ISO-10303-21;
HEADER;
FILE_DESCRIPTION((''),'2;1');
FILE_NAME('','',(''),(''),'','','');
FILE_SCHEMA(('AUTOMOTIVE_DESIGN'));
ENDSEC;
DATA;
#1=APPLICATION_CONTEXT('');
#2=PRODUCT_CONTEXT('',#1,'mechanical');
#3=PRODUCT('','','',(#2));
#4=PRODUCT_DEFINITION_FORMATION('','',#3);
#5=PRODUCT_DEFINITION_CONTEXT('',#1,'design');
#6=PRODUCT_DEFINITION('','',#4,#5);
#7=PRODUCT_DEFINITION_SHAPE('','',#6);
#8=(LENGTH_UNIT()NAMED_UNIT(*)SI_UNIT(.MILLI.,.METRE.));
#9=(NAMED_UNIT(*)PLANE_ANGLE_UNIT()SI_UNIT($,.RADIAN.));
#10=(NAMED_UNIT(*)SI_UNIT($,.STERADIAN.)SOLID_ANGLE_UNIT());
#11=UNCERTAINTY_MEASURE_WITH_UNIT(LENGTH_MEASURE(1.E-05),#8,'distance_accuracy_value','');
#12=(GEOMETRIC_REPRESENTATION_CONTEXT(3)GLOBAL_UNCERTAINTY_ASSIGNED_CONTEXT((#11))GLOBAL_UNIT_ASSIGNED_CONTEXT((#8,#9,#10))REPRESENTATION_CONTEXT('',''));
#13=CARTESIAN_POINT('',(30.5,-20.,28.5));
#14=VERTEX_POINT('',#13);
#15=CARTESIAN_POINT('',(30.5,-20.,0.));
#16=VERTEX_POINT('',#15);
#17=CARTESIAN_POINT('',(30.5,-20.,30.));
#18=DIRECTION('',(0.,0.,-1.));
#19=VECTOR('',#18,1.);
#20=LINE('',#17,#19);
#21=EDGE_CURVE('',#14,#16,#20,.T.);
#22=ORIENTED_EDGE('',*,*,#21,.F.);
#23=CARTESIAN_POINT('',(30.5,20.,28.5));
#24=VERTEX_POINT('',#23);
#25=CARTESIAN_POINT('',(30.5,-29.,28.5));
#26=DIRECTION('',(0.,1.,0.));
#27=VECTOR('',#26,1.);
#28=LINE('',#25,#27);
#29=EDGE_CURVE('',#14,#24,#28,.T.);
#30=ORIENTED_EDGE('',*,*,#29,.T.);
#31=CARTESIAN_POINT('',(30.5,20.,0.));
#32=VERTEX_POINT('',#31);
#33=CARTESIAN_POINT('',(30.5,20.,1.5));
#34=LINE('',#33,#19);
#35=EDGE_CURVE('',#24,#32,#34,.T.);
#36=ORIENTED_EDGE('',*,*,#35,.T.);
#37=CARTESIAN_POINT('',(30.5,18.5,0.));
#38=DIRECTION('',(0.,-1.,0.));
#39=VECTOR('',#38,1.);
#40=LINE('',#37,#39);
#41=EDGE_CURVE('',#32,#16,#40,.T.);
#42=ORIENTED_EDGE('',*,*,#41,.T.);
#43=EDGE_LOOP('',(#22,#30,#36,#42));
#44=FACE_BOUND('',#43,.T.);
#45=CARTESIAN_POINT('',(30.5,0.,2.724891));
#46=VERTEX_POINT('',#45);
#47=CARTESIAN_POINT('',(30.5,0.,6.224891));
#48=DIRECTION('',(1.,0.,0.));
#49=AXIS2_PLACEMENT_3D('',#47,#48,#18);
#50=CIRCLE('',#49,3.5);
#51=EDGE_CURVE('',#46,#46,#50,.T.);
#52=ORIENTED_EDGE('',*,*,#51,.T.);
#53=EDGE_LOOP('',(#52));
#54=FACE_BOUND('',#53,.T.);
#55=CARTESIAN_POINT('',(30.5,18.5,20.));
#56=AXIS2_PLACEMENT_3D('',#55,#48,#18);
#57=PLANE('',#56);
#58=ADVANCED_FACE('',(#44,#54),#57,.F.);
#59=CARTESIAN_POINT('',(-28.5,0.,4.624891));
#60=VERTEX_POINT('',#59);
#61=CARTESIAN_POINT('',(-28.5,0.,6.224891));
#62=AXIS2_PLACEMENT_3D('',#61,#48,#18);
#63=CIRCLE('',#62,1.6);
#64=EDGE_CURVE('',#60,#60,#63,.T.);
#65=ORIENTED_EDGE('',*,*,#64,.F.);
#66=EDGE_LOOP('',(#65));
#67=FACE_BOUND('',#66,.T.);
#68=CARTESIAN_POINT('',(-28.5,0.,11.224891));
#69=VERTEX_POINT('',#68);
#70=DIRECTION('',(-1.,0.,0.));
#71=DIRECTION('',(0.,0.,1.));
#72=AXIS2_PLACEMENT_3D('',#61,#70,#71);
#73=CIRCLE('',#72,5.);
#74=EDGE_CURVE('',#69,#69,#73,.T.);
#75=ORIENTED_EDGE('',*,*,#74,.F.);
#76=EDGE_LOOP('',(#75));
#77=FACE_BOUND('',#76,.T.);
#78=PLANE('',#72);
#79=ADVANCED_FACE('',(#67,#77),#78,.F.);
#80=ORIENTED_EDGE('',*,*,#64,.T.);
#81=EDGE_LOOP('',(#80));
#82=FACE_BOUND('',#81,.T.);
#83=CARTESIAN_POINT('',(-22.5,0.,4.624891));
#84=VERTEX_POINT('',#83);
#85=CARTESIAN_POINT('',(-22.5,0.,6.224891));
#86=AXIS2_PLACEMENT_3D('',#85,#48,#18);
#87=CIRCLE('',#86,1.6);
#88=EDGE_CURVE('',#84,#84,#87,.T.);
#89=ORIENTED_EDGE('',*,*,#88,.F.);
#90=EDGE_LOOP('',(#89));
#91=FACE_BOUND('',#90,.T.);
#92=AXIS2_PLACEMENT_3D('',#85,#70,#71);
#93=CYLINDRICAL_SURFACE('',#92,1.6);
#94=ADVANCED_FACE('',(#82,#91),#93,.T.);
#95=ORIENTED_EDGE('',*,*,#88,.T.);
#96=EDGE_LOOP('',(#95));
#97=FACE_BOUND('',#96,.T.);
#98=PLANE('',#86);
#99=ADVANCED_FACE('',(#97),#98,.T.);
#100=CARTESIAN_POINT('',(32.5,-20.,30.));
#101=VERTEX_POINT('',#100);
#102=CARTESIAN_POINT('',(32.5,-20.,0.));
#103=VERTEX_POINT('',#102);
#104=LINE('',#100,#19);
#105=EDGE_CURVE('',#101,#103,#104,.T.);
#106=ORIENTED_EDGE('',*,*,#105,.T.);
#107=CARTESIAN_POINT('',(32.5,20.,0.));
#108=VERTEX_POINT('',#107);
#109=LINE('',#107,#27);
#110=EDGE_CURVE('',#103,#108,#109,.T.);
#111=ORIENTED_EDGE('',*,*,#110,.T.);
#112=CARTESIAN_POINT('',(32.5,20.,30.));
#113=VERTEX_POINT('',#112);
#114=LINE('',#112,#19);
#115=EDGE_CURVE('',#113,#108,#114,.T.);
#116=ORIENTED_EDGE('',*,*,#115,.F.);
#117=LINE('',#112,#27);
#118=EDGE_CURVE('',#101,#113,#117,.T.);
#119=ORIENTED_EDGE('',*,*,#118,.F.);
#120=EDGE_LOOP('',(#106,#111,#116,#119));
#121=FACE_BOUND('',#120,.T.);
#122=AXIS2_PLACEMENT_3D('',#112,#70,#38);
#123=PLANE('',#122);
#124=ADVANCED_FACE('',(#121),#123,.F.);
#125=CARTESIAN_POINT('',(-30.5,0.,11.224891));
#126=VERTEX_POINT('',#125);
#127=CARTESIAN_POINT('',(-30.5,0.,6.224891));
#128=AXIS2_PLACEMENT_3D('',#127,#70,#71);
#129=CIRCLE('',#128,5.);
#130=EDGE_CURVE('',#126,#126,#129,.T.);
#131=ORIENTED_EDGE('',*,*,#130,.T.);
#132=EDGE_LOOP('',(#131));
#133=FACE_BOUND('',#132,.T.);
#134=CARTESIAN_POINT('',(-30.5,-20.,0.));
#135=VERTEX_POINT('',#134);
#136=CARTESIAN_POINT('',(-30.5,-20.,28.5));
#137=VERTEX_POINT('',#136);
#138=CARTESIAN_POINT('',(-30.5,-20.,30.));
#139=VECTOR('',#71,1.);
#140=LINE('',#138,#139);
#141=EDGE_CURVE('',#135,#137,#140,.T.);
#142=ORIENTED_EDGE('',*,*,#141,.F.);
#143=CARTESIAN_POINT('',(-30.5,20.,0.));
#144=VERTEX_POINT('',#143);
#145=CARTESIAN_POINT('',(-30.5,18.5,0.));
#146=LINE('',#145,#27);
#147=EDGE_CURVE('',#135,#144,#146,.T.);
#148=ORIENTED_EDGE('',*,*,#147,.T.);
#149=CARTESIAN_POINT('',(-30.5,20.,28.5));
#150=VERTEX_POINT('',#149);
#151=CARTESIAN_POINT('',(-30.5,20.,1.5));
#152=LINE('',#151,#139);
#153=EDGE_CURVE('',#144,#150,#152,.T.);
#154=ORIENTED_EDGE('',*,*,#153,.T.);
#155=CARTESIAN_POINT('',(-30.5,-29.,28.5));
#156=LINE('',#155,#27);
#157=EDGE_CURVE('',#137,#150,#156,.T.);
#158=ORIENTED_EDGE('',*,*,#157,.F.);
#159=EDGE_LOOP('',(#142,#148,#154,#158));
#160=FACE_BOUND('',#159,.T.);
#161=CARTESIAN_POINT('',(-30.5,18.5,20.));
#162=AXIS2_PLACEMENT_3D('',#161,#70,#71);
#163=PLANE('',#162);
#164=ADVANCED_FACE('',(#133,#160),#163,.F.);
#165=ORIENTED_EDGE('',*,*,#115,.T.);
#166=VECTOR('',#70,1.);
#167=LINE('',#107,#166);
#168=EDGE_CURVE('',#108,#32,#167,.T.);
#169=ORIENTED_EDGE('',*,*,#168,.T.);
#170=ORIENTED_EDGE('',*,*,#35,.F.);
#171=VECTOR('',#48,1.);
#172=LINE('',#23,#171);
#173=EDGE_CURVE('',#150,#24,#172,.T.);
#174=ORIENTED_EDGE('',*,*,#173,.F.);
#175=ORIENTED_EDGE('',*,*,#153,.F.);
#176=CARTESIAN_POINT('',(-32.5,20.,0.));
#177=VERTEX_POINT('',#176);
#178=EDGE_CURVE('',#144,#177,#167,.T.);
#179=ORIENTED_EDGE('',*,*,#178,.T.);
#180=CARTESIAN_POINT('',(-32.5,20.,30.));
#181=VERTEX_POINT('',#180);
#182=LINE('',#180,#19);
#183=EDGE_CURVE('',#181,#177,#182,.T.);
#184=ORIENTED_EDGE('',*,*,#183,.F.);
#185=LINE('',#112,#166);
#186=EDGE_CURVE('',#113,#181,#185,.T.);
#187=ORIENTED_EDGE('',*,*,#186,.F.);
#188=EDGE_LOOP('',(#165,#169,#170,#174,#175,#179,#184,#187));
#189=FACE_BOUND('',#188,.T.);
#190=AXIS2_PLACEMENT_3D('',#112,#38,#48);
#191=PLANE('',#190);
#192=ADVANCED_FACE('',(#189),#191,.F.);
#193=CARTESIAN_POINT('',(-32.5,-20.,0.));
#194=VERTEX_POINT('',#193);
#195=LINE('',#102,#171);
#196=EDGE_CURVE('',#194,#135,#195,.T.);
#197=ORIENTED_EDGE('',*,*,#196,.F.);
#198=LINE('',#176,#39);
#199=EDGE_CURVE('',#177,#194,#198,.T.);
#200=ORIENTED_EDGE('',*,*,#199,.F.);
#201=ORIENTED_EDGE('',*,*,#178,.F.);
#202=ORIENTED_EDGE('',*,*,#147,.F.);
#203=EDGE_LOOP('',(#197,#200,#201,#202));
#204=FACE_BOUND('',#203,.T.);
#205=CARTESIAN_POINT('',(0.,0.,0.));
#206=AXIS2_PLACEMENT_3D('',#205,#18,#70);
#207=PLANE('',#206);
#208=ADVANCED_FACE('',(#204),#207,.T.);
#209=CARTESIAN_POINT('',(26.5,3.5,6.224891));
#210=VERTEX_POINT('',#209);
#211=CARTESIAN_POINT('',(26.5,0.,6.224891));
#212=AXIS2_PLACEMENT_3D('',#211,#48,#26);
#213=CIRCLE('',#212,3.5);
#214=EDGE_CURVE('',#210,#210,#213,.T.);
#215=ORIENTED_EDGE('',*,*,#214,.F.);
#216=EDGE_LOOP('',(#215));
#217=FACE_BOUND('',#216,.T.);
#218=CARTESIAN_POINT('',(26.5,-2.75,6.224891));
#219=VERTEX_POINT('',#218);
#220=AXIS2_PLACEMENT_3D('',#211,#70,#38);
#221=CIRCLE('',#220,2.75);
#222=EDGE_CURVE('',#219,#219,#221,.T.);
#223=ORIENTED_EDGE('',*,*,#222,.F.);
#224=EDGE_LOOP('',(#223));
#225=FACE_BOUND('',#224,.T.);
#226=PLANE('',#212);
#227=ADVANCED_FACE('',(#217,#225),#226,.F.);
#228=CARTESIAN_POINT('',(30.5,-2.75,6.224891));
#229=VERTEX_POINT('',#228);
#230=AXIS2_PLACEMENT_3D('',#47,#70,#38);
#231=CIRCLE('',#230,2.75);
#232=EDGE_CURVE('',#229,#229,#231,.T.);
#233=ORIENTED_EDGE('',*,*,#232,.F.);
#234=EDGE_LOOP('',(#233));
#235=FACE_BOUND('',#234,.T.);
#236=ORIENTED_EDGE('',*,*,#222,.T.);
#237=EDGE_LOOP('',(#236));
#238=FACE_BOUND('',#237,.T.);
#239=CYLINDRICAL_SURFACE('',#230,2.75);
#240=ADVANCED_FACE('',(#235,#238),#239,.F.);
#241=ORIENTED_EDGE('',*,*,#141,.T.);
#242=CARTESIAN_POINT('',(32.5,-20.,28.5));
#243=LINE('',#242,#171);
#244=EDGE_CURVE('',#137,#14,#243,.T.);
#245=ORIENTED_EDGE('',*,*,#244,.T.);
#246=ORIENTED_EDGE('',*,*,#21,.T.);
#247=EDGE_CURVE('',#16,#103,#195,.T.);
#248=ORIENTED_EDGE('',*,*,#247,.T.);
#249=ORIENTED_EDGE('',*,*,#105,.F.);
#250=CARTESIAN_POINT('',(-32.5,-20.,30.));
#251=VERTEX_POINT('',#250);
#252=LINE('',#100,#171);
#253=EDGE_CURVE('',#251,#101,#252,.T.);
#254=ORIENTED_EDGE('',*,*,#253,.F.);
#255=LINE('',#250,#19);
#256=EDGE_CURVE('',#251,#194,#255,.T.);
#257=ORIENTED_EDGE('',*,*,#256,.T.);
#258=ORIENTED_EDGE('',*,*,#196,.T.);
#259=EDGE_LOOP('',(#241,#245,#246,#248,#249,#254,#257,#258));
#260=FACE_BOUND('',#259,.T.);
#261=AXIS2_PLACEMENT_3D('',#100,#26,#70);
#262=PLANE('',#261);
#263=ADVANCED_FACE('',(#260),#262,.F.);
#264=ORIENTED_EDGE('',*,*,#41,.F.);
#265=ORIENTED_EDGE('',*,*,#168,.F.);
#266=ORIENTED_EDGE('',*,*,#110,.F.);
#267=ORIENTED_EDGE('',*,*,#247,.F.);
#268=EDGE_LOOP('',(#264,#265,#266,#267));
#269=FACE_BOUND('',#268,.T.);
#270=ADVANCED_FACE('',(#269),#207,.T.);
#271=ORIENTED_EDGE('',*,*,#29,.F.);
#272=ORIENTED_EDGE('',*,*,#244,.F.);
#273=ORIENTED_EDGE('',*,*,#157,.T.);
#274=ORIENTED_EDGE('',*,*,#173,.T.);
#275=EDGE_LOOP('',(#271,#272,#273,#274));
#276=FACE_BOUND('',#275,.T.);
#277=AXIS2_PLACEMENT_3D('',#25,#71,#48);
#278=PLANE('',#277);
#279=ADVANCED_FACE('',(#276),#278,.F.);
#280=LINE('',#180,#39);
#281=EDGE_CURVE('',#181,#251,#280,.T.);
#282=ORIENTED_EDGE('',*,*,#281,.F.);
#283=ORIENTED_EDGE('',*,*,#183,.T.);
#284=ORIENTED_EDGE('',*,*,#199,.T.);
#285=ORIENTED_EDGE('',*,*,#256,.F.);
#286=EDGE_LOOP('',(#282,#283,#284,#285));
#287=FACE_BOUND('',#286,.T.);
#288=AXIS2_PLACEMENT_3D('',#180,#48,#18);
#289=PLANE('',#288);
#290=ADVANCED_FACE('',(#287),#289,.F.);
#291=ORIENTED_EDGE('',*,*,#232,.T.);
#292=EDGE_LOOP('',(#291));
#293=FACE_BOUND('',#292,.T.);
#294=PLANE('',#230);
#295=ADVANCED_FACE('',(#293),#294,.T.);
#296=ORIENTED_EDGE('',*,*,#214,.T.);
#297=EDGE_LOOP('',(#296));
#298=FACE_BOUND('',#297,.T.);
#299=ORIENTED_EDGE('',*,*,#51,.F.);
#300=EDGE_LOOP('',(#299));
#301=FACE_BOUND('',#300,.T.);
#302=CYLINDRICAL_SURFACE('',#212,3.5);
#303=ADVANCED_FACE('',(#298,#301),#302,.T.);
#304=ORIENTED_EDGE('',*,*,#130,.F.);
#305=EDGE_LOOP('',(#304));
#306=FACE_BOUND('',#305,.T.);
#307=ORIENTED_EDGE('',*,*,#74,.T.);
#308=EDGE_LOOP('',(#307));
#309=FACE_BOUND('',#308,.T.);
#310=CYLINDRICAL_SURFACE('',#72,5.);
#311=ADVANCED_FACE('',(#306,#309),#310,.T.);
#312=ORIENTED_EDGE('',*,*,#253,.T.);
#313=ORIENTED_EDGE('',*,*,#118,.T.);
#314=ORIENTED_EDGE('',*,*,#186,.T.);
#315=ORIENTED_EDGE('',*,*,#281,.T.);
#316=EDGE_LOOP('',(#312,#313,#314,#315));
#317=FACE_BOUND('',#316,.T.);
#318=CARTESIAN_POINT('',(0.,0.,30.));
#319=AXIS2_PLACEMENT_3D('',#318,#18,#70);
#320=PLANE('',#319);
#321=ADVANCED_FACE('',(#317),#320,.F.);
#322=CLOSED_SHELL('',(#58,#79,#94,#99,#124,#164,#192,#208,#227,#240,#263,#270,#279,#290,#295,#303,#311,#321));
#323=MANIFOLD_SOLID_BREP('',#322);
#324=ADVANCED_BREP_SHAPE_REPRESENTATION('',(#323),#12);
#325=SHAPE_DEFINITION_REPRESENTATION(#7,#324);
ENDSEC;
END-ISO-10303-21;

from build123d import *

# Parameters (mm, degrees)
ESBO_O1_W                = 65
ESBO_O1_H                = 40
RESSALTO_EXTRUS_O1_DEPTH = 30
ESBO_O2_W                = 61
ESBO_O2_H                = 37
CORTE_EXTRUS_O1_DEPTH    = 20
ESBO_O3_W                = 61
ESBO_O3_H                = 27
CORTE_EXTRUS_O2_DEPTH    = 49
ESBO_O5_W                = 61
ESBO_O5_H                = 1.5
CORTE_EXTRUS_O3_DEPTH    = 49
ESBO_O7_R                = 5
RESSALTO_EXTRUS_O2_DEPTH = 4
ESBO_O8_R                = 1.6
RESSALTO_EXTRUS_O3_DEPTH = 6
ESBO_O10_R               = 3.5
RESSALTO_EXTRUS_O4_DEPTH = 6
ESBO_O12_R               = 2.75
CORTE_EXTRUS_O4_DEPTH    = 4


with BuildPart() as part:
    # Esboço1 → Ressalto-extrusão1 (new body)
    with BuildSketch(Plane.XY):
        Rectangle(ESBO_O1_W, ESBO_O1_H)
    extrude(amount=RESSALTO_EXTRUS_O1_DEPTH)

    # Esboço2 → Corte-extrusão1 (cut)
    with BuildSketch(Plane(origin=(0, 0, 0), x_dir=(-1, 0, 0), z_dir=(0, 0, -1))):
        Rectangle(ESBO_O2_W, ESBO_O2_H)
    extrude(amount=-CORTE_EXTRUS_O1_DEPTH, mode=Mode.SUBTRACT)

    # Esboço3 → Corte-extrusão2 (cut)
    with BuildSketch(Plane(origin=(0, 20, 0), x_dir=(1, 0, 0), z_dir=(0, 1, 0))):
        with Locations((0, -15)):
            Rectangle(ESBO_O3_W, ESBO_O3_H)
    extrude(amount=-CORTE_EXTRUS_O2_DEPTH, mode=Mode.SUBTRACT)

    # Esboço5 → Corte-extrusão3 (cut)
    with BuildSketch(Plane(origin=(0, 20, 0), x_dir=(1, 0, 0), z_dir=(0, 1, 0))):
        with Locations((0, -0.75)):
            Rectangle(ESBO_O5_W, ESBO_O5_H)
    extrude(amount=-CORTE_EXTRUS_O3_DEPTH, mode=Mode.SUBTRACT)

    # Esboço7 → Ressalto-extrusão2 (add)
    with BuildSketch(Plane.ZY.offset(32.5)):
        with Locations((6.224890869, 0)):
            Circle(ESBO_O7_R)
    extrude(amount=-RESSALTO_EXTRUS_O2_DEPTH)

    # Esboço8 → Ressalto-extrusão3 (add)
    with BuildSketch(Plane(origin=(-28.5, 0, 0), x_dir=(0, 0, -1), z_dir=(1, 0, 0))):
        with Locations((-6.224890869, 0)):
            Circle(ESBO_O8_R)
    extrude(amount=RESSALTO_EXTRUS_O3_DEPTH)

    # Esboço10 → Ressalto-extrusão4 (add)
    with BuildSketch(Plane(origin=(32.5, 0, 0), x_dir=(0, 0, -1), z_dir=(1, 0, 0))):
        with Locations(Location((-6.224890869, 0, 0), (0, 0, 90))):
            Circle(ESBO_O10_R)
    extrude(amount=-RESSALTO_EXTRUS_O4_DEPTH)

    # Esboço12 → Corte-extrusão4 (cut)
    with BuildSketch(Plane.ZY.offset(-26.5)):
        with Locations(Location((6.224890869, 0, 0), (0, 0, 270))):
            Circle(ESBO_O12_R)
    extrude(amount=-CORTE_EXTRUS_O4_DEPTH, mode=Mode.SUBTRACT)


solid = part.part
